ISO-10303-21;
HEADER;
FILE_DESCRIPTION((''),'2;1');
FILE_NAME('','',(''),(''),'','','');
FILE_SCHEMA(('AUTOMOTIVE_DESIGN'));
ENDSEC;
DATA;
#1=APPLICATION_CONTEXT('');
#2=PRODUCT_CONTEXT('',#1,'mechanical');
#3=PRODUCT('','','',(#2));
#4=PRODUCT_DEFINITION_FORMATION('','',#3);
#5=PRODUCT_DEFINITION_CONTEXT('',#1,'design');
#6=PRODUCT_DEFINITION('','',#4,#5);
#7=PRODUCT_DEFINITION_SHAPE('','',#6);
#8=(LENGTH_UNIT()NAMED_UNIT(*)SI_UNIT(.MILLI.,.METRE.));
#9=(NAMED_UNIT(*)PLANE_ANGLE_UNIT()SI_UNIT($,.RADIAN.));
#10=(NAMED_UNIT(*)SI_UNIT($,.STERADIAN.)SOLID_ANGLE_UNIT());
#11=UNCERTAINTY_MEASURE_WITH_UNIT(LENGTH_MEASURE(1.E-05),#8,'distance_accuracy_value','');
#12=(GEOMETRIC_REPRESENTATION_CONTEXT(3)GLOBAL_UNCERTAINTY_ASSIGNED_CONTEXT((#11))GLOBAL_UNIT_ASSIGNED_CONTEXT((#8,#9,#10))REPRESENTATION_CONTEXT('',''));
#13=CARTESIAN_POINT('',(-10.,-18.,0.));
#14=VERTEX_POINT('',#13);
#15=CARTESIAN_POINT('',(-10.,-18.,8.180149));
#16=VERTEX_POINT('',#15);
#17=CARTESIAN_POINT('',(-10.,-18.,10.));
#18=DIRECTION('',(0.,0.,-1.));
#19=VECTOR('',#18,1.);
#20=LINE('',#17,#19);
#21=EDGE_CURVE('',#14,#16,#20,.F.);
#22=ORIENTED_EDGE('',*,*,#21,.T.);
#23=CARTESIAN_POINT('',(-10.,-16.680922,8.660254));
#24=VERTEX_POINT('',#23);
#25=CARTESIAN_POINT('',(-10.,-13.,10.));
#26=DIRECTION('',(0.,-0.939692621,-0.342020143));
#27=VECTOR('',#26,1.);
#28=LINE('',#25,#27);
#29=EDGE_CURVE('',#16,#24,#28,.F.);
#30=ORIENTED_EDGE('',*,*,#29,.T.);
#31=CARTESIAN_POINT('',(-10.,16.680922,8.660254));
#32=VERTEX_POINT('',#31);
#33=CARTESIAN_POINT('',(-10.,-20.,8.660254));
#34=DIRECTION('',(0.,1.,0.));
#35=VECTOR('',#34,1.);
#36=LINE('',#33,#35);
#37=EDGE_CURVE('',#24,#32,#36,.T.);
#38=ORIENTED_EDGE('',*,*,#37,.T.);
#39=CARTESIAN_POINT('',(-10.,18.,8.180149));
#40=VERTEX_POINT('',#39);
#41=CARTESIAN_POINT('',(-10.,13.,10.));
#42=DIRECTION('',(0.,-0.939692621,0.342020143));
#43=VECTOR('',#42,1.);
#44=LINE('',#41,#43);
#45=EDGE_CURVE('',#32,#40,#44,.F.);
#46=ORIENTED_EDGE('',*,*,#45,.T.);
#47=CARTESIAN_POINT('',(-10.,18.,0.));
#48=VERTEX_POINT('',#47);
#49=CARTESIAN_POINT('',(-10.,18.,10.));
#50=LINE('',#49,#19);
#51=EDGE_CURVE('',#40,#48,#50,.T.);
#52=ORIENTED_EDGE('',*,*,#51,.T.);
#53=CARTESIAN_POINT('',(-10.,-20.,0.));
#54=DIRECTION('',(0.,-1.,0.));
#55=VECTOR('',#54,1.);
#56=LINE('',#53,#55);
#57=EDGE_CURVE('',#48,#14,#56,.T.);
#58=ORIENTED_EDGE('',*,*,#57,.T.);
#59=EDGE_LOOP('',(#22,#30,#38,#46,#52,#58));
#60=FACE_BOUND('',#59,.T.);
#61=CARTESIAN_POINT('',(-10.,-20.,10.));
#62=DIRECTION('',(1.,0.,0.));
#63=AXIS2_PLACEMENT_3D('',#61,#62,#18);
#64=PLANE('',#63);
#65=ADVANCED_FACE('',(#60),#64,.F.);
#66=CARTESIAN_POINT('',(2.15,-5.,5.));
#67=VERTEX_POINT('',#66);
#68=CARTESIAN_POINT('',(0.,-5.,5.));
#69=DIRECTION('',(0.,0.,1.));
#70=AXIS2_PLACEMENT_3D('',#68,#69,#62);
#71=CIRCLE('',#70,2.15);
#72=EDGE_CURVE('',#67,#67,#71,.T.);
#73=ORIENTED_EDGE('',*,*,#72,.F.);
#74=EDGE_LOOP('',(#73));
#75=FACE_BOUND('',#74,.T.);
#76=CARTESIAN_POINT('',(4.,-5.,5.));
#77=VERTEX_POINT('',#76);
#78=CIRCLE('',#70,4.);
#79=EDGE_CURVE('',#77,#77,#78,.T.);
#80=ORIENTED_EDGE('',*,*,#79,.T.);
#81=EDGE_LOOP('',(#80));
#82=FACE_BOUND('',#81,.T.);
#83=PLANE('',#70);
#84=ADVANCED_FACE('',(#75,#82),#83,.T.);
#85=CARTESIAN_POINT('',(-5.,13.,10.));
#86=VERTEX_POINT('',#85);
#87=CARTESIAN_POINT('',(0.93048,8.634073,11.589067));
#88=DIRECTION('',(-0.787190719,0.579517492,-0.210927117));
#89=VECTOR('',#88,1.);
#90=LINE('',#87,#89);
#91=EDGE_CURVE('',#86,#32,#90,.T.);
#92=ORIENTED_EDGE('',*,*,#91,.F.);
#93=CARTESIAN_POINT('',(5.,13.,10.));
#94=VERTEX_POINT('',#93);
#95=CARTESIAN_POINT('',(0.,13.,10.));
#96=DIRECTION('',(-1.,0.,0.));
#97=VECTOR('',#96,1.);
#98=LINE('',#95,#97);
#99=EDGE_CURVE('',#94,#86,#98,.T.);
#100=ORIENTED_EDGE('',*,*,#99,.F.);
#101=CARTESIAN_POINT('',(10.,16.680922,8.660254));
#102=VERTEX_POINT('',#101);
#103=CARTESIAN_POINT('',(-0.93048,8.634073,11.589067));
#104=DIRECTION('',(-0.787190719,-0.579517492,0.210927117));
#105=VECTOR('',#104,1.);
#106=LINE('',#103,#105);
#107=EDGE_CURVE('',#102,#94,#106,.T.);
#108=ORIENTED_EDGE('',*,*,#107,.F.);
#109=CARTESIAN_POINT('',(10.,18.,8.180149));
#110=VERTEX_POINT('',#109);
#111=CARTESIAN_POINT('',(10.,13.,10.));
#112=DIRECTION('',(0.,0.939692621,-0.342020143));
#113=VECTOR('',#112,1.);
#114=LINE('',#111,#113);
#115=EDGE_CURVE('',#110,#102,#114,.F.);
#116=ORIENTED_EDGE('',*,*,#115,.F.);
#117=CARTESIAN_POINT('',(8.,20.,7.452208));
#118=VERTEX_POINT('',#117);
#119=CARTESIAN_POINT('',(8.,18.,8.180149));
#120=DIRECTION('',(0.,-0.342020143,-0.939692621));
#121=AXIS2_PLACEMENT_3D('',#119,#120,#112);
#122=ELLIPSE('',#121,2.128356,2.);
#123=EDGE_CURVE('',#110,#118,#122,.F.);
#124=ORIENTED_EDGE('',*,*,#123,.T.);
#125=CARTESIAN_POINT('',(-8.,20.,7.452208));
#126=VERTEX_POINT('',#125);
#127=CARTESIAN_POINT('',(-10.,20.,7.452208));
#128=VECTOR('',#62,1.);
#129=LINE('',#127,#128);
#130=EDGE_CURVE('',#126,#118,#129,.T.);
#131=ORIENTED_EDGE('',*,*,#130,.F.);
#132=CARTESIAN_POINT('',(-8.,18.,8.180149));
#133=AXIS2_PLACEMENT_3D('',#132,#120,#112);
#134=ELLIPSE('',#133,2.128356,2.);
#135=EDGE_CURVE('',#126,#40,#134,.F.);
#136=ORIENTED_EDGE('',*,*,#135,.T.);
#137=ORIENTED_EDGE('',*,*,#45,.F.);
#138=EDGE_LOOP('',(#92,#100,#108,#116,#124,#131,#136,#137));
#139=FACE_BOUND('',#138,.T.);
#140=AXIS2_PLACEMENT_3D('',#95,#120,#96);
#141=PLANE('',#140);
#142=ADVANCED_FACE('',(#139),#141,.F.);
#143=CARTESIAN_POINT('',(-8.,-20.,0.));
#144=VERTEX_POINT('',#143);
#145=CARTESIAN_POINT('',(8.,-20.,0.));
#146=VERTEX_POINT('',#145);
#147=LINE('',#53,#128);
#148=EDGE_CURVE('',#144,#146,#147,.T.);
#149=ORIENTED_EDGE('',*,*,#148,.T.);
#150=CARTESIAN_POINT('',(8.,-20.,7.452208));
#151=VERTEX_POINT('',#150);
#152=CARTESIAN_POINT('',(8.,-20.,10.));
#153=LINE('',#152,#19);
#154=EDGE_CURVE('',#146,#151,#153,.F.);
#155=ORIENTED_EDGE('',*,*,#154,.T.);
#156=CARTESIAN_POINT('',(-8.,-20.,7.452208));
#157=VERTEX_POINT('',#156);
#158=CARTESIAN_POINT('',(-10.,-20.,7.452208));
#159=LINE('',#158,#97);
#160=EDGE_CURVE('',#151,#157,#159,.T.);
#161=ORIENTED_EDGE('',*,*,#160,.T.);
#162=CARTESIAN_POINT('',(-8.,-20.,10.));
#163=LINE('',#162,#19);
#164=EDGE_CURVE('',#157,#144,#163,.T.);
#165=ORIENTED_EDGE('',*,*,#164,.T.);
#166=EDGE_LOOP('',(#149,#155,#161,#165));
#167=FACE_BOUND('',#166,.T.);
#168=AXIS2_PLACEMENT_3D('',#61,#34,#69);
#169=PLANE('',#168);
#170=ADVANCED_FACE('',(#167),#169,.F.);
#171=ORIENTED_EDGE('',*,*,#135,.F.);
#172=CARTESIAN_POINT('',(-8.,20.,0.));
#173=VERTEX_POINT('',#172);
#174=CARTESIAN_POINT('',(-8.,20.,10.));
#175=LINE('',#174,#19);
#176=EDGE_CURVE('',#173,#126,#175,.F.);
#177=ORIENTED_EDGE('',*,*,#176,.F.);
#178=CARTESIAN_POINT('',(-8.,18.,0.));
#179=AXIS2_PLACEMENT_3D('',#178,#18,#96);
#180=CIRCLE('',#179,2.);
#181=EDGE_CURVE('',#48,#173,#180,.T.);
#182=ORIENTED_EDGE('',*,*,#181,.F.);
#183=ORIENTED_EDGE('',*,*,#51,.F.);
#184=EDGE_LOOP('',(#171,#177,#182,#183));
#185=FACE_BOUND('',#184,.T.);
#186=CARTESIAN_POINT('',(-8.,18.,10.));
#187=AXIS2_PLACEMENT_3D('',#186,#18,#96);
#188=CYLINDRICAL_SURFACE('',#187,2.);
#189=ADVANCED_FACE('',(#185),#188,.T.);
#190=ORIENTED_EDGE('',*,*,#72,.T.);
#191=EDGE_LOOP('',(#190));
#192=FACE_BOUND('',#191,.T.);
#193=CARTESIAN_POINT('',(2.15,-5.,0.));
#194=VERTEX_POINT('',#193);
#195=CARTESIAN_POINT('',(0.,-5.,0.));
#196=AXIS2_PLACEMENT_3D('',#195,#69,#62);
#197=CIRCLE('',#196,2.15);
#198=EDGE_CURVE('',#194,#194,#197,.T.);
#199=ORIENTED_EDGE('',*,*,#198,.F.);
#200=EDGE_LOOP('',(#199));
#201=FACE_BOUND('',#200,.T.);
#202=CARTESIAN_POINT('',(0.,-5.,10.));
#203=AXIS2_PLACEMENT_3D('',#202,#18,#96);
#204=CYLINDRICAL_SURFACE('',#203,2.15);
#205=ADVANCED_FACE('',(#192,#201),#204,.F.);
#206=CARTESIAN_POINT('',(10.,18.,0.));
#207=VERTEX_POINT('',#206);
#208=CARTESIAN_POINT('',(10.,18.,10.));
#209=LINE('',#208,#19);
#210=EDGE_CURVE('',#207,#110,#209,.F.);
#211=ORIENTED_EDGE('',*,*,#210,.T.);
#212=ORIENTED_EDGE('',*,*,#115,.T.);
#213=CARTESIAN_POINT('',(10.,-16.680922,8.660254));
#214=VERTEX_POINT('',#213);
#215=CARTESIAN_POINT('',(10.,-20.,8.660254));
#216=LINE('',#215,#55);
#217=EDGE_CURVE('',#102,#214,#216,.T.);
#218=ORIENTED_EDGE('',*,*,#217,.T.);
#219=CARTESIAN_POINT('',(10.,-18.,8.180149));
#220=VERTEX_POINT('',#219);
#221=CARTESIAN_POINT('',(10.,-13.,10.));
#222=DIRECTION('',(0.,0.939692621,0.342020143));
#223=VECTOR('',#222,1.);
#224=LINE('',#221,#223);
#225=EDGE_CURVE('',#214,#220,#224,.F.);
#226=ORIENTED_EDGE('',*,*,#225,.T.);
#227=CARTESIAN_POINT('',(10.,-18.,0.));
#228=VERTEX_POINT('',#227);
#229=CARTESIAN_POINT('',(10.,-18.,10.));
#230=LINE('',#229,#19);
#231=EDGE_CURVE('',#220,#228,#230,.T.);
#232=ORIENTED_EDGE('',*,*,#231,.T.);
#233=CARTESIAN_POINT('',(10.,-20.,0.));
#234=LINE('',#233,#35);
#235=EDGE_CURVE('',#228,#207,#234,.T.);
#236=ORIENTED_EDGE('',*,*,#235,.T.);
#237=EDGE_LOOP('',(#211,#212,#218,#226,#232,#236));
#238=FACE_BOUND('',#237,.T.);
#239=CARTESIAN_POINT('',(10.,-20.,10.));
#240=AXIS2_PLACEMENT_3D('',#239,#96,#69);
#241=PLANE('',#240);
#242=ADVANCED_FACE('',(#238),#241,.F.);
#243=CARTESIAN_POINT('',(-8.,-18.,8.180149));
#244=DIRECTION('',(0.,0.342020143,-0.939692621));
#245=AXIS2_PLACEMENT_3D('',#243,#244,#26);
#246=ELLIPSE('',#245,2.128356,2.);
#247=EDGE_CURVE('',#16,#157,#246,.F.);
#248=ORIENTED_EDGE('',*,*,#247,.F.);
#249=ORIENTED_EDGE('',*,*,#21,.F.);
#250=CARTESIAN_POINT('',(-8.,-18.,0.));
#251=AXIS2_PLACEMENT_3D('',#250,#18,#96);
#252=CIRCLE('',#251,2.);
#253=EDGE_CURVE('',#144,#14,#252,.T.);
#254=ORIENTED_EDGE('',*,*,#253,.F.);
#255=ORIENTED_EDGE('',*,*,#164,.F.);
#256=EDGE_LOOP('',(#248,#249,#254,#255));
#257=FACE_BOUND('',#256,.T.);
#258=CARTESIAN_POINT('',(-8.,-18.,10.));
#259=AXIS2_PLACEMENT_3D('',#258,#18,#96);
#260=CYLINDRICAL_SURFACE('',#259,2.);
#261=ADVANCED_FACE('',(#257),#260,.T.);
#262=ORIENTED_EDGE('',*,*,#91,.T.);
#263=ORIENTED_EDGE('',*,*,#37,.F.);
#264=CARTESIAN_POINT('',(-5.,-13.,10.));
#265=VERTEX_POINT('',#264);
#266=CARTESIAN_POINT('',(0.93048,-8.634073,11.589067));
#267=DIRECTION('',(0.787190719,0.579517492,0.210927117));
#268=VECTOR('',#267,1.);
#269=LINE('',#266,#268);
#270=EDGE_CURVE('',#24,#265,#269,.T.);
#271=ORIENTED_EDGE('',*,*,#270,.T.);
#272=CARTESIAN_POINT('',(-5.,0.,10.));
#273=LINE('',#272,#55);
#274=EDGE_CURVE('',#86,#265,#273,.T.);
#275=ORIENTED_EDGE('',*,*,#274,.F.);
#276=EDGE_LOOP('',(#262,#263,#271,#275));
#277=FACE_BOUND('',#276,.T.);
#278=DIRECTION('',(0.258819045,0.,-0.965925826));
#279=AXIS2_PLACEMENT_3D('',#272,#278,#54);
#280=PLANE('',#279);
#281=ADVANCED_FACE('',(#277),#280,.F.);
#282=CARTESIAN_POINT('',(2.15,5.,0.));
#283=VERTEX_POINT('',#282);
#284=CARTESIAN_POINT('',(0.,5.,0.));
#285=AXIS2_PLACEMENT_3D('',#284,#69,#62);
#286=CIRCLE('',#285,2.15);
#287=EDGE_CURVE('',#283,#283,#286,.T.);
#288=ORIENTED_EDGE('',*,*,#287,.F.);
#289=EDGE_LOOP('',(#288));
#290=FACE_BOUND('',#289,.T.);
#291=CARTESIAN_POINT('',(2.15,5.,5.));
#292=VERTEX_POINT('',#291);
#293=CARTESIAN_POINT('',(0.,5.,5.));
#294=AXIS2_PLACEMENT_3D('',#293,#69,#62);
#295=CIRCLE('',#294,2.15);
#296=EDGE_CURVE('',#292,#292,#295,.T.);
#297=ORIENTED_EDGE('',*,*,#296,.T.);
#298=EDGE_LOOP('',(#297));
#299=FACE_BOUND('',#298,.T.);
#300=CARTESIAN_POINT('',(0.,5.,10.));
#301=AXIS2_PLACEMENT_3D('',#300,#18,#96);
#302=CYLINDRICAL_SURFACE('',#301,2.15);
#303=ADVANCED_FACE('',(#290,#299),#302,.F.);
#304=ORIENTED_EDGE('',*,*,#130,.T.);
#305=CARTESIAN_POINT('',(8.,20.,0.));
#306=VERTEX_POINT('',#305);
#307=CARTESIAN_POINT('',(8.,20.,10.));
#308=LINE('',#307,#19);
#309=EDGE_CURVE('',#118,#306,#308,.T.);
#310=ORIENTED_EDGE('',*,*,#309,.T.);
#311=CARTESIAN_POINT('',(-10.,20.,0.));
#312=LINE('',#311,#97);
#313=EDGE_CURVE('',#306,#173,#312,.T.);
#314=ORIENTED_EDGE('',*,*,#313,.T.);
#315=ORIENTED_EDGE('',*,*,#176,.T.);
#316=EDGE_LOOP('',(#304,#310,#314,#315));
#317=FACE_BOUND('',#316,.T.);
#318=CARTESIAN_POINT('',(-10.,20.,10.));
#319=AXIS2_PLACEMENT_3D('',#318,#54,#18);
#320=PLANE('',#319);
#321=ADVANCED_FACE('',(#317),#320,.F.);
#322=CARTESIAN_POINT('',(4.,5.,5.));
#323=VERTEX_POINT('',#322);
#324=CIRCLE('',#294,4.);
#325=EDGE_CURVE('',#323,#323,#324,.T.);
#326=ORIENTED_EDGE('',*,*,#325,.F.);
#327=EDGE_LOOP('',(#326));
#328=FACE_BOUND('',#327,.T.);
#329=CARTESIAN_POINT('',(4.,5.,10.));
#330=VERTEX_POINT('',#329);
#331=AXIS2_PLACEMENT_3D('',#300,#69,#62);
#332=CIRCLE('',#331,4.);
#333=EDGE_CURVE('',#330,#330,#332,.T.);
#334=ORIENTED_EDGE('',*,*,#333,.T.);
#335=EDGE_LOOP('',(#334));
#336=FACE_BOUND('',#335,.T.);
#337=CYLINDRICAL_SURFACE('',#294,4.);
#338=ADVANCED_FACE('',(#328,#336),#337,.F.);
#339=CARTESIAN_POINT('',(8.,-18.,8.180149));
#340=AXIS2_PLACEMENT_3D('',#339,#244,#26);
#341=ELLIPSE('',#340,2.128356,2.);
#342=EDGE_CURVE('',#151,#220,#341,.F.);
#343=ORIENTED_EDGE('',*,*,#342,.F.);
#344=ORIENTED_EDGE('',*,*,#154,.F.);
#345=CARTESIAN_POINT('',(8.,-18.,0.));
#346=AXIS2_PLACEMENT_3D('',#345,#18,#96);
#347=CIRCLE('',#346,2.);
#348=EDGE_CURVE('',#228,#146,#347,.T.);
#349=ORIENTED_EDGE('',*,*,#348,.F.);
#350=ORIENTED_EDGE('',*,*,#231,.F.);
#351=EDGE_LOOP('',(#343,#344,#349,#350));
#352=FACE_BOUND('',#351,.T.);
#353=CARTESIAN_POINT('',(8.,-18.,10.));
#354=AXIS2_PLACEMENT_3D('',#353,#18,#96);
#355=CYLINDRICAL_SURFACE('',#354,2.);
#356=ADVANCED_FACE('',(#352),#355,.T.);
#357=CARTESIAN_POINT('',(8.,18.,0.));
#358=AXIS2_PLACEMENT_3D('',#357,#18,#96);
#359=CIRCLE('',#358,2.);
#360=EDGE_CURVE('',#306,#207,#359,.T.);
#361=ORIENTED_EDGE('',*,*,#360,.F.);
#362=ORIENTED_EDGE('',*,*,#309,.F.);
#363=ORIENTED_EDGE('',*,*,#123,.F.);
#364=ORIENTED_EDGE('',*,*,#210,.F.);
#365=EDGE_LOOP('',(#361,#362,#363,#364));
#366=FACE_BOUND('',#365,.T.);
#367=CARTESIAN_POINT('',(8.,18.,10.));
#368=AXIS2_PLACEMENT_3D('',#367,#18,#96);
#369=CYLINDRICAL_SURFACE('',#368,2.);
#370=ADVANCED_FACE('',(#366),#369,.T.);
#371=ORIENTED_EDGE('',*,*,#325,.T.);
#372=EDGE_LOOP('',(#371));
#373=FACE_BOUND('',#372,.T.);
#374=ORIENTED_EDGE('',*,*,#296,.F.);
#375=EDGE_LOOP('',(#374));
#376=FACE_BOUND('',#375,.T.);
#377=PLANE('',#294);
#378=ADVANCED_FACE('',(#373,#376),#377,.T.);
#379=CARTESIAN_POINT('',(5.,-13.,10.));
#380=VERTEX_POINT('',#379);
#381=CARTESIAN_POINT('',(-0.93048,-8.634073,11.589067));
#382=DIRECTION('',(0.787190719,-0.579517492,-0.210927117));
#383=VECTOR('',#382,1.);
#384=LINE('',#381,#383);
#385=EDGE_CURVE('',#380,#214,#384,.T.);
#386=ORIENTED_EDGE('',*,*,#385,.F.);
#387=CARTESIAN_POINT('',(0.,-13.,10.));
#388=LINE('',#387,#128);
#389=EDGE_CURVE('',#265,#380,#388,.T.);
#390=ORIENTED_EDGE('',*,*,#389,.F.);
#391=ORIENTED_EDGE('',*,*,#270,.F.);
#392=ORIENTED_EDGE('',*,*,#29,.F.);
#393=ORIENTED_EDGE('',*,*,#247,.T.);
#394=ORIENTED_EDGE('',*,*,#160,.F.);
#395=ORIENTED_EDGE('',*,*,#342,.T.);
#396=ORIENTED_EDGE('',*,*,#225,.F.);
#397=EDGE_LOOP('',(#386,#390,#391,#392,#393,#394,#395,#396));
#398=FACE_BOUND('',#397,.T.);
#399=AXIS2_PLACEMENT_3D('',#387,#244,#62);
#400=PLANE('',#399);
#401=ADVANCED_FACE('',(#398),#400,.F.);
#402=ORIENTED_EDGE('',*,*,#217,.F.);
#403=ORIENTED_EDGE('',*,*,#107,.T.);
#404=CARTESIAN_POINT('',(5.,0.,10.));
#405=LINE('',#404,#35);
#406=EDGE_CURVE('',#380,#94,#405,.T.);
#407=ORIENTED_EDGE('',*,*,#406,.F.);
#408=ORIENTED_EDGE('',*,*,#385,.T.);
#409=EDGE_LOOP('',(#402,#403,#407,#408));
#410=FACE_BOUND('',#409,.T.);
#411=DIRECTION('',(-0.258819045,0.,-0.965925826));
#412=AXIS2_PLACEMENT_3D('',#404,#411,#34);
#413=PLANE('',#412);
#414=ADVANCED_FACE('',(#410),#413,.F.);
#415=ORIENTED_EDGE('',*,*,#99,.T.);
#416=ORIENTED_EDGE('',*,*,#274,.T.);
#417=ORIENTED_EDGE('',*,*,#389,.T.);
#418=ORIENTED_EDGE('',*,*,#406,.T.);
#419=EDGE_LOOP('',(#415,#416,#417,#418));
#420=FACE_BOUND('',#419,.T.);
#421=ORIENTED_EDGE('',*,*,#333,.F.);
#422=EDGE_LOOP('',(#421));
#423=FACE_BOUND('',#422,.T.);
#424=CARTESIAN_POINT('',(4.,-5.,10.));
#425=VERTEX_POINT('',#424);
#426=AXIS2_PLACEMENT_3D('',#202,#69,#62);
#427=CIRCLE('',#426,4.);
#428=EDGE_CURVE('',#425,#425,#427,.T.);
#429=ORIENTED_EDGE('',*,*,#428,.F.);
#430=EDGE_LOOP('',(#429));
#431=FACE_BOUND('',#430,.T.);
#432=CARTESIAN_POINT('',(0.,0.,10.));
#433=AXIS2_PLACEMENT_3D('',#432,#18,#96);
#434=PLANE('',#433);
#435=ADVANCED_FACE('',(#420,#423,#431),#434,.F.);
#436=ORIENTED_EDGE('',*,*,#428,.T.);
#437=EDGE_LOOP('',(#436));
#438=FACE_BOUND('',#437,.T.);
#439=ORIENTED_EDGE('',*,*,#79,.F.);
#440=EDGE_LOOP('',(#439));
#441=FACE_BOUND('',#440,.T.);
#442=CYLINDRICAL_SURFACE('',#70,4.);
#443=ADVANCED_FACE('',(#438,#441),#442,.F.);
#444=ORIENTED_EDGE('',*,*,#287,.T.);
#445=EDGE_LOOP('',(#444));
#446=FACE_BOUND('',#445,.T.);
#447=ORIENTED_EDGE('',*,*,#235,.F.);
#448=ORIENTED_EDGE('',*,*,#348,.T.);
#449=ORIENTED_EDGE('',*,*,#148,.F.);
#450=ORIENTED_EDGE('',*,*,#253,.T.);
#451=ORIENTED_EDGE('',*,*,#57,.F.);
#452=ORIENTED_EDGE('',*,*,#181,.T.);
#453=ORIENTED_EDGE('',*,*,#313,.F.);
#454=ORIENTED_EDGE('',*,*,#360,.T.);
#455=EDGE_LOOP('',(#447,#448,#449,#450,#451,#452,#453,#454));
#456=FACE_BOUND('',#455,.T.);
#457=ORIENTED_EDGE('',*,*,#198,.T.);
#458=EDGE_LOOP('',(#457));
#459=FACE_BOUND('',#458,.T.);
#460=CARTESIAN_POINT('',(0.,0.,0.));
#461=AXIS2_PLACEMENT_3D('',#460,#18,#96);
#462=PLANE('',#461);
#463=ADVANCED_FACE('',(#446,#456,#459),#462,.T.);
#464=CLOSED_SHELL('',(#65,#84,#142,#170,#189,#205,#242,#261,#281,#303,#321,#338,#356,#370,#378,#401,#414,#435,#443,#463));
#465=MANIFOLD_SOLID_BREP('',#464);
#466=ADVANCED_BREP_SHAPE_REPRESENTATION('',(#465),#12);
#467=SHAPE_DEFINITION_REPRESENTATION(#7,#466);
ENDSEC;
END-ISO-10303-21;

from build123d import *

# Parameters (mm, degrees)
SKETCH1_W           = 20
SKETCH1_H           = 40
SKETCH1_R           = 2.15
BOSS_EXTRUDE1_DEPTH = 10
CHAMFER1_SIZE       = 5
CHAMFER1_SIZE2      = 1.339745962
CHAMFER2_SIZE       = 7
CHAMFER2_SIZE2      = 2.54779164
SKETCH2_R           = 4
CUT_EXTRUDE1_DEPTH  = 5
FILLET1_R           = 2


with BuildPart() as part:
    # Sketch1 → Boss-Extrude1 (new body)
    with BuildSketch(Plane.XY):
        Rectangle(SKETCH1_W, SKETCH1_H)
        with Locations((0, -5)):
            Circle(SKETCH1_R, mode=Mode.SUBTRACT)
        with Locations((0, 5)):
            Circle(SKETCH1_R, mode=Mode.SUBTRACT)
    extrude(amount=BOSS_EXTRUDE1_DEPTH)

    # Chamfer1
    chamfer1_edges = [part.edges().sort_by_distance(p)[0] for p in [
        (-10, 0, 10),
        (10, 0, 10),
    ]]
    chamfer1_side = [part.faces().sort_by_distance(p)[0] for p in [
        (0, 0, 10),
    ]]
    chamfer(chamfer1_edges, length=CHAMFER1_SIZE, length2=CHAMFER1_SIZE2, reference=chamfer1_side[0])

    # Chamfer2
    chamfer2_edges = [part.edges().sort_by_distance(p)[0] for p in [
        (0, -20, 10),
        (0, 20, 10),
    ]]
    chamfer2_side = [part.faces().sort_by_distance(p)[0] for p in [
        (0, 0, 10),
    ]]
    chamfer(chamfer2_edges, length=CHAMFER2_SIZE, length2=CHAMFER2_SIZE2, reference=chamfer2_side[0])

    # Sketch2 → Cut-Extrude1 (cut)
    with BuildSketch(Plane.XY.offset(10)):
        with Locations((0, 5)):
            Circle(SKETCH2_R)
        with Locations((0, -5)):
            Circle(SKETCH2_R)
    extrude(amount=-CUT_EXTRUDE1_DEPTH, mode=Mode.SUBTRACT)

    # Fillet1
    fillet1_edges = [part.edges().sort_by_distance(p)[0] for p in [
        (10, 20, 3.72610418),
        (10, -20, 3.72610418),
        (-10, -20, 3.72610418),
        (-10, 20, 3.72610418),
    ]]
    fillet(fillet1_edges, radius=FILLET1_R)


solid = part.part
